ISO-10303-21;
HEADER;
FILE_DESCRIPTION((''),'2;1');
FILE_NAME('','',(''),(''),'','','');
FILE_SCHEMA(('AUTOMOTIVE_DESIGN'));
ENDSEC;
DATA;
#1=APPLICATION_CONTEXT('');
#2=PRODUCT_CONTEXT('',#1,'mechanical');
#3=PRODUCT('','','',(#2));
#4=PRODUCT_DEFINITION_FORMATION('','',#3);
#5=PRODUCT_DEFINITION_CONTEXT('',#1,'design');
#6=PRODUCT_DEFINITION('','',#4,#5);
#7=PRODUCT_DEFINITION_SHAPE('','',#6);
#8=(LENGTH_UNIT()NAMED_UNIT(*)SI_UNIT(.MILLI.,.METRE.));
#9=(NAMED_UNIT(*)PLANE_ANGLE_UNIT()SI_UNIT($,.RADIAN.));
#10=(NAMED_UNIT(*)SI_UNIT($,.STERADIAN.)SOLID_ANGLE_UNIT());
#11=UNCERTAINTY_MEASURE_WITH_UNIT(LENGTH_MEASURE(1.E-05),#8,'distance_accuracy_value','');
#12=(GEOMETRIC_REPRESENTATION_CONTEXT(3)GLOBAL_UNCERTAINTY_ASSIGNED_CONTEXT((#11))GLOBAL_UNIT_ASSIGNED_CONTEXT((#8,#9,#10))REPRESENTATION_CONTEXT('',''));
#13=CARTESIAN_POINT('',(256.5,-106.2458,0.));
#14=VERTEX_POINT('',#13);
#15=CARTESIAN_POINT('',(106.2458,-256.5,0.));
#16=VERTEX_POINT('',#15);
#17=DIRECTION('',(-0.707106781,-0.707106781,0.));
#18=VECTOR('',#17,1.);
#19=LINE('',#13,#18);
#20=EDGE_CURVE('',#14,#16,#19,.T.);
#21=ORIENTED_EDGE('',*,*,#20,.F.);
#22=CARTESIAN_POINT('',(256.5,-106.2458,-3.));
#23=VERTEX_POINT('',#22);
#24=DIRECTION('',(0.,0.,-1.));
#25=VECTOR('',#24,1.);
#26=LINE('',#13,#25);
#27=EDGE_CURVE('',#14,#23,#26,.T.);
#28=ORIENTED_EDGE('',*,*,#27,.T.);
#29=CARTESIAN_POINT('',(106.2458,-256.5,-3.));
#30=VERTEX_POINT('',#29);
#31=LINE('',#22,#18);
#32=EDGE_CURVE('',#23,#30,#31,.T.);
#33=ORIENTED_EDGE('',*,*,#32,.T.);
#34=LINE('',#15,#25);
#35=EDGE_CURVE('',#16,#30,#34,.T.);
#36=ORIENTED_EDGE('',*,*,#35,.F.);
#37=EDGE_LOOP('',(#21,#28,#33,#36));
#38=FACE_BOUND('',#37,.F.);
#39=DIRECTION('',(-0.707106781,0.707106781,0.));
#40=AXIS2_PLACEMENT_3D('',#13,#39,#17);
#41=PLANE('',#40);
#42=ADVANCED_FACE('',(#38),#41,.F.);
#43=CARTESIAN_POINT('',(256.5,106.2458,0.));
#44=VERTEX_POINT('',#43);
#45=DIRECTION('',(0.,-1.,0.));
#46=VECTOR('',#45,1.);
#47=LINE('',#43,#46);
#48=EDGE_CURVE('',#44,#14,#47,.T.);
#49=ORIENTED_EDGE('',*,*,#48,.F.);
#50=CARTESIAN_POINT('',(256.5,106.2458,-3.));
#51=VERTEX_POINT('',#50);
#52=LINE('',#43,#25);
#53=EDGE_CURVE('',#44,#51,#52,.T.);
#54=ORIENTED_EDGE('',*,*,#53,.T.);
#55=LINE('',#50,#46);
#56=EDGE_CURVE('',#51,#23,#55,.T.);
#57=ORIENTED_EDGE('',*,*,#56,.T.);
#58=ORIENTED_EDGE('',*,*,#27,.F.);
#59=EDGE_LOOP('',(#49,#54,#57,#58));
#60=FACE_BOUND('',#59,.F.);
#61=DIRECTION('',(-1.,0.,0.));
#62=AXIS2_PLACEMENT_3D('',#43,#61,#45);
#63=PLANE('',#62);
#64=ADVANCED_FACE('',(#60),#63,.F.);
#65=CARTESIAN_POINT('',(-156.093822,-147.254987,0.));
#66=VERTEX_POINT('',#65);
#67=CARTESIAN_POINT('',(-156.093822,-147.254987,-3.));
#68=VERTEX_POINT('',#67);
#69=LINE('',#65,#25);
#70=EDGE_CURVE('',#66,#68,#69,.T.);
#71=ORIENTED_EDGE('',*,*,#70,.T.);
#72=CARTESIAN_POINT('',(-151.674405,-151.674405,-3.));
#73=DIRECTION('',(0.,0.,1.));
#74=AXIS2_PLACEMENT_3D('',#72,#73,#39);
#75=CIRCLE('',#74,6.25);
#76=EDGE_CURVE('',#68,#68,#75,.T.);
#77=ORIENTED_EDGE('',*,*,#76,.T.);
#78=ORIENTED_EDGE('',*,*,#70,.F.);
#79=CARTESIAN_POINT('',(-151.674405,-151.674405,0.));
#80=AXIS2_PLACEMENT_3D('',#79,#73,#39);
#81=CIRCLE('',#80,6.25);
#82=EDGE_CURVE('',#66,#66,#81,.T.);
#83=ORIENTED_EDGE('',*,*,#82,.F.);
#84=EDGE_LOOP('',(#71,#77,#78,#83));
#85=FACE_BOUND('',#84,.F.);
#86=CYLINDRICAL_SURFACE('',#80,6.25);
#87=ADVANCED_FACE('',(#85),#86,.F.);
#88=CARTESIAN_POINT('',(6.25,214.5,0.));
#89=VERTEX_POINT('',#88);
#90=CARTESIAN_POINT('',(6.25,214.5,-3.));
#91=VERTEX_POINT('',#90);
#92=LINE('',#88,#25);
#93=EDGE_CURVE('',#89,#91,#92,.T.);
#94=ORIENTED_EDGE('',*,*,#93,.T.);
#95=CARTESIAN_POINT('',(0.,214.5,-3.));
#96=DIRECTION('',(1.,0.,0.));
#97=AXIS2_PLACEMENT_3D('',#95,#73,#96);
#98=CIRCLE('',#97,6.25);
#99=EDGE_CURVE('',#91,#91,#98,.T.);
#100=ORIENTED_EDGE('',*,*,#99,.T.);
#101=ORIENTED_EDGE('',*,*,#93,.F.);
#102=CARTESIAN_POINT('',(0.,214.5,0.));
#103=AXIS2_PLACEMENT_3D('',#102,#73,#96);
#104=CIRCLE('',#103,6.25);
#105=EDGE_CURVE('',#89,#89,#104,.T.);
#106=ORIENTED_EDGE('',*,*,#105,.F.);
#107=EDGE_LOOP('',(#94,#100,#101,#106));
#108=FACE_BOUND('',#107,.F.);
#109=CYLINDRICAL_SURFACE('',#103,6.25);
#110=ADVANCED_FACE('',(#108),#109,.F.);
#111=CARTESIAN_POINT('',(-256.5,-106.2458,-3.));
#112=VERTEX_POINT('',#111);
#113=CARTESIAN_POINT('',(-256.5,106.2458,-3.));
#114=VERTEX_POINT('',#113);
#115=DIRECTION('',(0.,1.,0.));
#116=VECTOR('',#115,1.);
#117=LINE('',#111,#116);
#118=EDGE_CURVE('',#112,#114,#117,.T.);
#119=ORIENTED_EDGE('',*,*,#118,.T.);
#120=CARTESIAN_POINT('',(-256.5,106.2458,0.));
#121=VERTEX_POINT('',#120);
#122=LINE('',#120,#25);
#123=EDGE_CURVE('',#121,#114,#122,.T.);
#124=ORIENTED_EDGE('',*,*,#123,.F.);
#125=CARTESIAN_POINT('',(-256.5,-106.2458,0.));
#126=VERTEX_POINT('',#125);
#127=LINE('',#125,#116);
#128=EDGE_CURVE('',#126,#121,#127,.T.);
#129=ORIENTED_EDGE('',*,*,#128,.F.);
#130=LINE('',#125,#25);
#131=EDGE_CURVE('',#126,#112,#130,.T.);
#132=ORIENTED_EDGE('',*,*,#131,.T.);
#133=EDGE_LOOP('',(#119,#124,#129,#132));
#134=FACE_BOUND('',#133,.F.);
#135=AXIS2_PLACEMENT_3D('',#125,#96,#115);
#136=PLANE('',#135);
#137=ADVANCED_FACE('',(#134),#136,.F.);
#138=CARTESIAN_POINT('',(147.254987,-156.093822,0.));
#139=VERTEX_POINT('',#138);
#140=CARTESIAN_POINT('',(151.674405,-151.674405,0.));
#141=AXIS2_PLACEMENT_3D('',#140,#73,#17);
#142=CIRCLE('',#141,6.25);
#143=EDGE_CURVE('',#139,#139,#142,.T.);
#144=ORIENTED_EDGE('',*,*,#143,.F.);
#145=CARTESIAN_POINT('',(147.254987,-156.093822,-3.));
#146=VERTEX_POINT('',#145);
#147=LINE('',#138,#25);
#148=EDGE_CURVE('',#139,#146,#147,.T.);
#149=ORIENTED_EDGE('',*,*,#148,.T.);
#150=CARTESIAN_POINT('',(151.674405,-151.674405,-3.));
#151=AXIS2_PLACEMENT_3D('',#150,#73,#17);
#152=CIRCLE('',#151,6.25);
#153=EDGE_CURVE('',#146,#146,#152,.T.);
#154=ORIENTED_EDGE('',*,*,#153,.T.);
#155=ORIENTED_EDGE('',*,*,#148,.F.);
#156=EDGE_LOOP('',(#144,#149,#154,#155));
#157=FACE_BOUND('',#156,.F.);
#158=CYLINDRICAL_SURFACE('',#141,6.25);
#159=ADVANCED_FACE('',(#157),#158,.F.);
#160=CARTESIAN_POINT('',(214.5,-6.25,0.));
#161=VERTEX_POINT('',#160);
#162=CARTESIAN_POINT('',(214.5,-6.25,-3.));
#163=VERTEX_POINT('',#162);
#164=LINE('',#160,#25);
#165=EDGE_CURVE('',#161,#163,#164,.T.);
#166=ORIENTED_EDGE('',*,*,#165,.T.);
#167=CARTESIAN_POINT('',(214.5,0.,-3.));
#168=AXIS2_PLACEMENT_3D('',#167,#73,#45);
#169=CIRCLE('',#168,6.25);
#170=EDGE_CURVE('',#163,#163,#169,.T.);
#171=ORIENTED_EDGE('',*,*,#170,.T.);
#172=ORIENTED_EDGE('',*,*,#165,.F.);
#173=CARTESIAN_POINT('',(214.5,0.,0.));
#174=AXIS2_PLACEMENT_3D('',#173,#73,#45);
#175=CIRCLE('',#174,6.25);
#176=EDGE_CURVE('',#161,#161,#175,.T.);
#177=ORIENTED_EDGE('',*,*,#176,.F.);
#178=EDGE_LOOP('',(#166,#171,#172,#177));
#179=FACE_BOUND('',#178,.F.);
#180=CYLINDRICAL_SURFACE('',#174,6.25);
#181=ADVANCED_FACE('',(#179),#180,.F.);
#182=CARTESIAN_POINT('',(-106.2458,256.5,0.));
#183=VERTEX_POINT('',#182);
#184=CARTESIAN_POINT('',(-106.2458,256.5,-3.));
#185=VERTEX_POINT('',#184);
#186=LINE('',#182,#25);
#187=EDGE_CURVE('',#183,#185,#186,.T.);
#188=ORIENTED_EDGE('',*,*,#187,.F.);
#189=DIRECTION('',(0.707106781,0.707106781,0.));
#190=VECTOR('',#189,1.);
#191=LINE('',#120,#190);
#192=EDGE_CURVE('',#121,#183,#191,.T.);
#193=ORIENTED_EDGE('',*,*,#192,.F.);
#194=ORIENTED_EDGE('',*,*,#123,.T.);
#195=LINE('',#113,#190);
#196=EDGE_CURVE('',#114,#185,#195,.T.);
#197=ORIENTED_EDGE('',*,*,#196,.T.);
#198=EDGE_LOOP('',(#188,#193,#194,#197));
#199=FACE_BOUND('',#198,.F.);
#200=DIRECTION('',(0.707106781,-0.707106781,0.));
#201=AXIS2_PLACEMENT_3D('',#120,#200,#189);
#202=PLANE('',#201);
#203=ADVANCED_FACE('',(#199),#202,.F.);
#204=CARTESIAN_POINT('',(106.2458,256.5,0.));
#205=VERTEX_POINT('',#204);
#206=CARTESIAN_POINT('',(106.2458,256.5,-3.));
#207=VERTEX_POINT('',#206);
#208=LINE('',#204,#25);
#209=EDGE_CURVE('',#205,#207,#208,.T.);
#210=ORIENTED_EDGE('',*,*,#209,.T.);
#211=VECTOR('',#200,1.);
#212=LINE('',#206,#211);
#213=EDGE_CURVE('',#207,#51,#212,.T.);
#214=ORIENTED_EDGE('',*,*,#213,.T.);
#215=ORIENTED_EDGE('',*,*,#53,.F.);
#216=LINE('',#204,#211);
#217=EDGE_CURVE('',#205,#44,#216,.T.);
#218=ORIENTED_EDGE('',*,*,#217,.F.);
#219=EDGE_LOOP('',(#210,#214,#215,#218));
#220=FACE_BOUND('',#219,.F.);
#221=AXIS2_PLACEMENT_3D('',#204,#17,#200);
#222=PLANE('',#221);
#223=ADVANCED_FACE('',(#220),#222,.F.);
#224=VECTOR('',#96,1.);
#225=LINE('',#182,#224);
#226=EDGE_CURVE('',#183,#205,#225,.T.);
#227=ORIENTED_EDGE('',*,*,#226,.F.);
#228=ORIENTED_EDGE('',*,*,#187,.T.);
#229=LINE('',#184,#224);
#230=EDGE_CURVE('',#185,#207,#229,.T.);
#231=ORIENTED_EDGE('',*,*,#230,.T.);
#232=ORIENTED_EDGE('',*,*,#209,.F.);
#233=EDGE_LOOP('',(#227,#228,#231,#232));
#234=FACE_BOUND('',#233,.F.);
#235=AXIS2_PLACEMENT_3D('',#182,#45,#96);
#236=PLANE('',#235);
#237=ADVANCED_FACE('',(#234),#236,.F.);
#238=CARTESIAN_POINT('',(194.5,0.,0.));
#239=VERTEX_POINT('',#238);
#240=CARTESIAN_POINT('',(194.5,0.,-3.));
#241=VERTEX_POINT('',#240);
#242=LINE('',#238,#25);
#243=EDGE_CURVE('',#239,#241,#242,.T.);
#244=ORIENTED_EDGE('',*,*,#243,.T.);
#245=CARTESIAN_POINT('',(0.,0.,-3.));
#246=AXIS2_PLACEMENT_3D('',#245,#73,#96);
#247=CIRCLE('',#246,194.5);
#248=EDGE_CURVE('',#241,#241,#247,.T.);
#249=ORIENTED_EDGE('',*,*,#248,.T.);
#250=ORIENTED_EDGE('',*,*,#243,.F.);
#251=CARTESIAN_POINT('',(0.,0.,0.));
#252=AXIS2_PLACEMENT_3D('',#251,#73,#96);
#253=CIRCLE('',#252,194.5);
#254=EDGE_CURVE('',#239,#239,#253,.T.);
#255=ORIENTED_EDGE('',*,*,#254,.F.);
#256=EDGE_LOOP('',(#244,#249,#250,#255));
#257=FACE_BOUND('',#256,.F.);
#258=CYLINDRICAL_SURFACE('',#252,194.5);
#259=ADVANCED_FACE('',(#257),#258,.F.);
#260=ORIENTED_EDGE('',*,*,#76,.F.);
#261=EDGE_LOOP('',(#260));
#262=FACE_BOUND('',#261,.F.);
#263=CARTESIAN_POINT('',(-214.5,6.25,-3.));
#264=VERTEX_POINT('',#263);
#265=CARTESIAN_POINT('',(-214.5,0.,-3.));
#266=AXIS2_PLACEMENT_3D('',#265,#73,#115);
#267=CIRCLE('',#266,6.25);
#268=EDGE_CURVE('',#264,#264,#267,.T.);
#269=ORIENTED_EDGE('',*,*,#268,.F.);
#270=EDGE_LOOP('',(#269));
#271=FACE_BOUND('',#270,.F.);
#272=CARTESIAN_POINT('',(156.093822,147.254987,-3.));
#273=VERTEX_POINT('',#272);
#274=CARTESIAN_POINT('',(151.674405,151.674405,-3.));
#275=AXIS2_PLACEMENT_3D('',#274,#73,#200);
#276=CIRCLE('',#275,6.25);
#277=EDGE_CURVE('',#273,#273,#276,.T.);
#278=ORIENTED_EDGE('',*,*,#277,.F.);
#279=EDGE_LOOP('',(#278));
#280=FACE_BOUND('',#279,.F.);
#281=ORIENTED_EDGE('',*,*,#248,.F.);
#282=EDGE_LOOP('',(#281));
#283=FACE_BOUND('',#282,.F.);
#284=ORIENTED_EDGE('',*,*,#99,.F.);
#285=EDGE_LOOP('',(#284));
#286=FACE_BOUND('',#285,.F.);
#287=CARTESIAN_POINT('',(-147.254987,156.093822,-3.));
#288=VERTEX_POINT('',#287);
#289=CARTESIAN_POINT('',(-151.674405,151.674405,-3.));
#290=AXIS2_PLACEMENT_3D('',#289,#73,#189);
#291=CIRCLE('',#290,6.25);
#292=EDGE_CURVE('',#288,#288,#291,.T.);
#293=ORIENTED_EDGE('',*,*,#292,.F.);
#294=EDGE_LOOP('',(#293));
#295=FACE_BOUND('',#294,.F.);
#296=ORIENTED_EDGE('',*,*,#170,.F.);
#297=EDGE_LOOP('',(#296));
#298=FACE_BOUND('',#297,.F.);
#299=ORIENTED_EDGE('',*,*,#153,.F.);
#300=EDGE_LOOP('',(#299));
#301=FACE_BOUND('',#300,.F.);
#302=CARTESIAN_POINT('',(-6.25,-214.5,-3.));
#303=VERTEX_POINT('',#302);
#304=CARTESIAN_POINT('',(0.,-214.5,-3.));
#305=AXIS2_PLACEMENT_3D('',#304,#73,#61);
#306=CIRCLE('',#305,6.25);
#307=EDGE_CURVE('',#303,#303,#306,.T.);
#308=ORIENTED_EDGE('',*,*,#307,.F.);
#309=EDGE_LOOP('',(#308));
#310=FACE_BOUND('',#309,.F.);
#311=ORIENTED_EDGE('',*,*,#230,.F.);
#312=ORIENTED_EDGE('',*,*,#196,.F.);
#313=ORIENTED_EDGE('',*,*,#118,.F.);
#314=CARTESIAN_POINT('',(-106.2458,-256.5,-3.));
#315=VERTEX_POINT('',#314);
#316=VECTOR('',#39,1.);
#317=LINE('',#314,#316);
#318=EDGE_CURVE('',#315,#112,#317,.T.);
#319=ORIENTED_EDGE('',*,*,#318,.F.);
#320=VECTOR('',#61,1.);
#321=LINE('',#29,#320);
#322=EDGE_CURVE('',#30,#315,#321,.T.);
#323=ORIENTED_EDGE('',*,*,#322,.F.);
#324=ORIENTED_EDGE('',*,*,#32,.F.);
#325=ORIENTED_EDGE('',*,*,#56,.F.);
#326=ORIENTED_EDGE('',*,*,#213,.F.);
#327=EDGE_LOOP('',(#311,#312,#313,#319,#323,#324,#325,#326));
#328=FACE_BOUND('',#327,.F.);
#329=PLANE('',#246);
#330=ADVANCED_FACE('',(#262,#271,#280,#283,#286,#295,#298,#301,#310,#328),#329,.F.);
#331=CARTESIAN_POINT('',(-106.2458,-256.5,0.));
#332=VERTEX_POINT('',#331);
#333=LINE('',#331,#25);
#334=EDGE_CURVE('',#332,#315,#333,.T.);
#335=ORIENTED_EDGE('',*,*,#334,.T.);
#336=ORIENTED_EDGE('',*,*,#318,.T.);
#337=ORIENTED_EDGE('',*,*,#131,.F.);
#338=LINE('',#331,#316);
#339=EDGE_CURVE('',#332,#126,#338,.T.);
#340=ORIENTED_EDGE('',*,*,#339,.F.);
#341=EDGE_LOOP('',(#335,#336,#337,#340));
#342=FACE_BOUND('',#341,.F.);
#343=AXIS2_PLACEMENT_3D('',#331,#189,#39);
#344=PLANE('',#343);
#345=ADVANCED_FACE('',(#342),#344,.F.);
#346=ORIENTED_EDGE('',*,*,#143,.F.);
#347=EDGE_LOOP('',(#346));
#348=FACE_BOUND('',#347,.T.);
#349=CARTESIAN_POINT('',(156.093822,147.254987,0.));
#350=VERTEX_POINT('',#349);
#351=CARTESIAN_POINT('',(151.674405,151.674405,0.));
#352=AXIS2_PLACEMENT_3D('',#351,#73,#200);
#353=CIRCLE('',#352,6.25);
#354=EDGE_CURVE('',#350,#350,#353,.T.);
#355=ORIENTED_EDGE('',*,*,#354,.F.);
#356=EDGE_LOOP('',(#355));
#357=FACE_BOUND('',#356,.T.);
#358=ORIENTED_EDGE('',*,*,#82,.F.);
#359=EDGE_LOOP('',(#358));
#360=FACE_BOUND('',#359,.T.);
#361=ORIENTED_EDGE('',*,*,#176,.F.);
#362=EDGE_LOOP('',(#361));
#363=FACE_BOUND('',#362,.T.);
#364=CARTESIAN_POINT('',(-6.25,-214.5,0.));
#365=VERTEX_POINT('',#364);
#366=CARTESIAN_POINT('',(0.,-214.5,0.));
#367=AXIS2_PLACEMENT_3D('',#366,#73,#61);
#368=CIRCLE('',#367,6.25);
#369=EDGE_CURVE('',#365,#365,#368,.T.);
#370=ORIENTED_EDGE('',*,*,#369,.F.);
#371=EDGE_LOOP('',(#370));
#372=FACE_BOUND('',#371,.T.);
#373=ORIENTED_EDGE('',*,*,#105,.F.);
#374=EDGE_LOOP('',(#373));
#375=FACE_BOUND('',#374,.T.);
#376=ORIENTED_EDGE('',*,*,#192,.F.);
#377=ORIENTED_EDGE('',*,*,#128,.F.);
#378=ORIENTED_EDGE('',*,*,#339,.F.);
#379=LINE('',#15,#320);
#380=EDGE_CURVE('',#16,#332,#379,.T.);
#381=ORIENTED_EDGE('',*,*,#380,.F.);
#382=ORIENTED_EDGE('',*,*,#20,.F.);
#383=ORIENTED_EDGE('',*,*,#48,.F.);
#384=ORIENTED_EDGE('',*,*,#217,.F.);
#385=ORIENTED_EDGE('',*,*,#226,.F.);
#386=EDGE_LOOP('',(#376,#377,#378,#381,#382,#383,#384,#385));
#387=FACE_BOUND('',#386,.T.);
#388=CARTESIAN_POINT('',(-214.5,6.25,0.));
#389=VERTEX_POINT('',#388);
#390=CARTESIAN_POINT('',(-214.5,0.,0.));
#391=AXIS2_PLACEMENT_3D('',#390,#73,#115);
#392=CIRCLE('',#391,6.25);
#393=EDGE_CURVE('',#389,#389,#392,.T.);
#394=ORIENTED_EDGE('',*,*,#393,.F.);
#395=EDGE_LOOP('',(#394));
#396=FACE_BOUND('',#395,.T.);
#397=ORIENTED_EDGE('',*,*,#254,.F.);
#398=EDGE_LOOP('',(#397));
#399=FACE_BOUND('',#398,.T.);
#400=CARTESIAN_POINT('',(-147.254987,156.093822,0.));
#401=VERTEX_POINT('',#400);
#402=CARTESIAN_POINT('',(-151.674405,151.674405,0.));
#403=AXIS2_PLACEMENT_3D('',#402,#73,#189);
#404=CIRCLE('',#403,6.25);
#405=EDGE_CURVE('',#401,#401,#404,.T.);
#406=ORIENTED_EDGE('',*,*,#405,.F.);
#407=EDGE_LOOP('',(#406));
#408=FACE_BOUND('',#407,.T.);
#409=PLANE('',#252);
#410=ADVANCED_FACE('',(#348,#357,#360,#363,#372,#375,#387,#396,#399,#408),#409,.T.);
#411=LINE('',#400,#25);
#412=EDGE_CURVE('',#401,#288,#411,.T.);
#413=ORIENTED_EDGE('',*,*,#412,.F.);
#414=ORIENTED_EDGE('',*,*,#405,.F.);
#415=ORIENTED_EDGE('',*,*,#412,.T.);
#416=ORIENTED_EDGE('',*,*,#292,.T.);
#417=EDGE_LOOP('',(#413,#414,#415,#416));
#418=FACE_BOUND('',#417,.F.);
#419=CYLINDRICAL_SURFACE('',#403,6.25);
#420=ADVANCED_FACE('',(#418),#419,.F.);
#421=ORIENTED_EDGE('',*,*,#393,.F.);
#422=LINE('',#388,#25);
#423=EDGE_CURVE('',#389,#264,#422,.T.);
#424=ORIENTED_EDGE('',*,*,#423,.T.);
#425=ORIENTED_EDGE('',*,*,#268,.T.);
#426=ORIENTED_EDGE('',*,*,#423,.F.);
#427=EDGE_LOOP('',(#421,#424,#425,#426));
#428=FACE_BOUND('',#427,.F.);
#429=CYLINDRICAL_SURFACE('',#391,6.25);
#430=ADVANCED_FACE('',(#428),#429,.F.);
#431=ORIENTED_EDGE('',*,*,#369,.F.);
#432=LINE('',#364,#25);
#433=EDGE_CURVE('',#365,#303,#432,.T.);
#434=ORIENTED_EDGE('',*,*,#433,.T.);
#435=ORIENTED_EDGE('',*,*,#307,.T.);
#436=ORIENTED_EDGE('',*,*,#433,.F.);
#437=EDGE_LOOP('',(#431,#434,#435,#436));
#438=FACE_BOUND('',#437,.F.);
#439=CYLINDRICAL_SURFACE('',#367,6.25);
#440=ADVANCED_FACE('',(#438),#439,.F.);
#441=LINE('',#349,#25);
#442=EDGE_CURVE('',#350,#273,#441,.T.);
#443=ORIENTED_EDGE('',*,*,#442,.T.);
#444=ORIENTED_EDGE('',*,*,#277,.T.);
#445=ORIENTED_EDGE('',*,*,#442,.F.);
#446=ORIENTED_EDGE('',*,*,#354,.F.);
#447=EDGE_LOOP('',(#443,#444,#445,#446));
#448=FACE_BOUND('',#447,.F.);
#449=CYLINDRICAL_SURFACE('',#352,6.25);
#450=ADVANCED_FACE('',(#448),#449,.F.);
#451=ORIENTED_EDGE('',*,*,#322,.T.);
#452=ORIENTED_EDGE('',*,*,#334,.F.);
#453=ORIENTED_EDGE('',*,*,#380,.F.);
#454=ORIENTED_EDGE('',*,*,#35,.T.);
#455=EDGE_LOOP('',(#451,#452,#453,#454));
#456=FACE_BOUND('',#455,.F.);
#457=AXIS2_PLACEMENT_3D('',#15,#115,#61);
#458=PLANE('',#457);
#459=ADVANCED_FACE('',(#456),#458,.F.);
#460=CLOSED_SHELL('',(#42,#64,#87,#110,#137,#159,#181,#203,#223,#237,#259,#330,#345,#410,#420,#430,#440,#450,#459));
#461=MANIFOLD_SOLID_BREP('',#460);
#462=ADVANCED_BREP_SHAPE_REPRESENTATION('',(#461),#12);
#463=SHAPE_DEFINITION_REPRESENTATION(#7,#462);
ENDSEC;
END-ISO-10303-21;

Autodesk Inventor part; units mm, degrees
ref_plane "YZ Plane" through (0, 0, 0) normal (1, 0, 0) x (0, 1, 0)
ref_plane "XZ Plane" through (0, 0, 0) normal (0, 1, 0) x (-1, 0, 0)
ref_plane "XY Plane" through (0, 0, 0) normal (0, 0, 1) x (1, 0, 0)
sketch "Sketch2" plane through (0, 0, 0) normal (0, 0, 1) x (1, 0, 0)
  line L0 (-256.5, 106.2458) -> (-106.2458, 256.5)
  line L1 (-106.2458, 256.5) -> (106.2458, 256.5)
  line L2 (106.2458, 256.5) -> (256.5, 106.2458)
  line L3 (256.5, 106.2458) -> (256.5, -106.2458)
  line L4 (256.5, -106.2458) -> (106.2458, -256.5)
  line L5 (106.2458, -256.5) -> (-106.2458, -256.5)
  line L6 (-106.2458, -256.5) -> (-256.5, -106.2458)
  line L7 (-256.5, -106.2458) -> (-256.5, 106.2458)
  circle A0 centre (0, 0) radius 194.5
  point P0 (0, 256.5)
  dimension "d23" = 513
  dimension "d26" = 389
extrude "Plate1" add sketch "Sketch2" against normal blind 3
sketch "Sketch4" plane through (0, 0, 0) normal (0, 0, 1) x (1, 0, 0)
  circle A0 centre (0, 214.5) radius 6.25
  circle A1 centre (0, 0) radius 194.5 projected
  dimension "d16" = 12.5
  dimension "d17" = 214.5
extrude "Extrusion1" cut sketch "Sketch4" against normal up to surface (3 mm away) contours A0
pattern_circular "Circular Pattern1" count 8 over 360 about axis through (0, 0, -10) along (0, 0, 1) of "Extrusion1"
equation "\"d23\" = Барабан_габарит_по_кассетам"
equation "\"d26\" = Вал_ось_диаметр_КОРМА"
equation "\"d15\" = Thickness"
equation "\"BendRadius\" = Thickness"
equation "\"BendReliefWidth\" = Thickness"
equation "\"BendReliefDepth\" = 0.5 * Thickness"
equation "\"CornerReliefSize\" = 4 * Thickness"
equation "\"MinimumRemnant\" = 2 * Thickness"
equation "\"TransitionRadius\" = BendRadius"
equation "\"JacobiRadiusSize\" = BendRadius"
equation "\"GapSize\" = Thickness"
equation "\"Барабан_габарит_по_кассетам\" = 513"
equation "\"Вал_ось_диаметр_КОРМА\" = 389"
equation "\"Thickness\" = 3"
properties part number "ДМФ 01 22 Барабан торец КОРМА v2.0"
